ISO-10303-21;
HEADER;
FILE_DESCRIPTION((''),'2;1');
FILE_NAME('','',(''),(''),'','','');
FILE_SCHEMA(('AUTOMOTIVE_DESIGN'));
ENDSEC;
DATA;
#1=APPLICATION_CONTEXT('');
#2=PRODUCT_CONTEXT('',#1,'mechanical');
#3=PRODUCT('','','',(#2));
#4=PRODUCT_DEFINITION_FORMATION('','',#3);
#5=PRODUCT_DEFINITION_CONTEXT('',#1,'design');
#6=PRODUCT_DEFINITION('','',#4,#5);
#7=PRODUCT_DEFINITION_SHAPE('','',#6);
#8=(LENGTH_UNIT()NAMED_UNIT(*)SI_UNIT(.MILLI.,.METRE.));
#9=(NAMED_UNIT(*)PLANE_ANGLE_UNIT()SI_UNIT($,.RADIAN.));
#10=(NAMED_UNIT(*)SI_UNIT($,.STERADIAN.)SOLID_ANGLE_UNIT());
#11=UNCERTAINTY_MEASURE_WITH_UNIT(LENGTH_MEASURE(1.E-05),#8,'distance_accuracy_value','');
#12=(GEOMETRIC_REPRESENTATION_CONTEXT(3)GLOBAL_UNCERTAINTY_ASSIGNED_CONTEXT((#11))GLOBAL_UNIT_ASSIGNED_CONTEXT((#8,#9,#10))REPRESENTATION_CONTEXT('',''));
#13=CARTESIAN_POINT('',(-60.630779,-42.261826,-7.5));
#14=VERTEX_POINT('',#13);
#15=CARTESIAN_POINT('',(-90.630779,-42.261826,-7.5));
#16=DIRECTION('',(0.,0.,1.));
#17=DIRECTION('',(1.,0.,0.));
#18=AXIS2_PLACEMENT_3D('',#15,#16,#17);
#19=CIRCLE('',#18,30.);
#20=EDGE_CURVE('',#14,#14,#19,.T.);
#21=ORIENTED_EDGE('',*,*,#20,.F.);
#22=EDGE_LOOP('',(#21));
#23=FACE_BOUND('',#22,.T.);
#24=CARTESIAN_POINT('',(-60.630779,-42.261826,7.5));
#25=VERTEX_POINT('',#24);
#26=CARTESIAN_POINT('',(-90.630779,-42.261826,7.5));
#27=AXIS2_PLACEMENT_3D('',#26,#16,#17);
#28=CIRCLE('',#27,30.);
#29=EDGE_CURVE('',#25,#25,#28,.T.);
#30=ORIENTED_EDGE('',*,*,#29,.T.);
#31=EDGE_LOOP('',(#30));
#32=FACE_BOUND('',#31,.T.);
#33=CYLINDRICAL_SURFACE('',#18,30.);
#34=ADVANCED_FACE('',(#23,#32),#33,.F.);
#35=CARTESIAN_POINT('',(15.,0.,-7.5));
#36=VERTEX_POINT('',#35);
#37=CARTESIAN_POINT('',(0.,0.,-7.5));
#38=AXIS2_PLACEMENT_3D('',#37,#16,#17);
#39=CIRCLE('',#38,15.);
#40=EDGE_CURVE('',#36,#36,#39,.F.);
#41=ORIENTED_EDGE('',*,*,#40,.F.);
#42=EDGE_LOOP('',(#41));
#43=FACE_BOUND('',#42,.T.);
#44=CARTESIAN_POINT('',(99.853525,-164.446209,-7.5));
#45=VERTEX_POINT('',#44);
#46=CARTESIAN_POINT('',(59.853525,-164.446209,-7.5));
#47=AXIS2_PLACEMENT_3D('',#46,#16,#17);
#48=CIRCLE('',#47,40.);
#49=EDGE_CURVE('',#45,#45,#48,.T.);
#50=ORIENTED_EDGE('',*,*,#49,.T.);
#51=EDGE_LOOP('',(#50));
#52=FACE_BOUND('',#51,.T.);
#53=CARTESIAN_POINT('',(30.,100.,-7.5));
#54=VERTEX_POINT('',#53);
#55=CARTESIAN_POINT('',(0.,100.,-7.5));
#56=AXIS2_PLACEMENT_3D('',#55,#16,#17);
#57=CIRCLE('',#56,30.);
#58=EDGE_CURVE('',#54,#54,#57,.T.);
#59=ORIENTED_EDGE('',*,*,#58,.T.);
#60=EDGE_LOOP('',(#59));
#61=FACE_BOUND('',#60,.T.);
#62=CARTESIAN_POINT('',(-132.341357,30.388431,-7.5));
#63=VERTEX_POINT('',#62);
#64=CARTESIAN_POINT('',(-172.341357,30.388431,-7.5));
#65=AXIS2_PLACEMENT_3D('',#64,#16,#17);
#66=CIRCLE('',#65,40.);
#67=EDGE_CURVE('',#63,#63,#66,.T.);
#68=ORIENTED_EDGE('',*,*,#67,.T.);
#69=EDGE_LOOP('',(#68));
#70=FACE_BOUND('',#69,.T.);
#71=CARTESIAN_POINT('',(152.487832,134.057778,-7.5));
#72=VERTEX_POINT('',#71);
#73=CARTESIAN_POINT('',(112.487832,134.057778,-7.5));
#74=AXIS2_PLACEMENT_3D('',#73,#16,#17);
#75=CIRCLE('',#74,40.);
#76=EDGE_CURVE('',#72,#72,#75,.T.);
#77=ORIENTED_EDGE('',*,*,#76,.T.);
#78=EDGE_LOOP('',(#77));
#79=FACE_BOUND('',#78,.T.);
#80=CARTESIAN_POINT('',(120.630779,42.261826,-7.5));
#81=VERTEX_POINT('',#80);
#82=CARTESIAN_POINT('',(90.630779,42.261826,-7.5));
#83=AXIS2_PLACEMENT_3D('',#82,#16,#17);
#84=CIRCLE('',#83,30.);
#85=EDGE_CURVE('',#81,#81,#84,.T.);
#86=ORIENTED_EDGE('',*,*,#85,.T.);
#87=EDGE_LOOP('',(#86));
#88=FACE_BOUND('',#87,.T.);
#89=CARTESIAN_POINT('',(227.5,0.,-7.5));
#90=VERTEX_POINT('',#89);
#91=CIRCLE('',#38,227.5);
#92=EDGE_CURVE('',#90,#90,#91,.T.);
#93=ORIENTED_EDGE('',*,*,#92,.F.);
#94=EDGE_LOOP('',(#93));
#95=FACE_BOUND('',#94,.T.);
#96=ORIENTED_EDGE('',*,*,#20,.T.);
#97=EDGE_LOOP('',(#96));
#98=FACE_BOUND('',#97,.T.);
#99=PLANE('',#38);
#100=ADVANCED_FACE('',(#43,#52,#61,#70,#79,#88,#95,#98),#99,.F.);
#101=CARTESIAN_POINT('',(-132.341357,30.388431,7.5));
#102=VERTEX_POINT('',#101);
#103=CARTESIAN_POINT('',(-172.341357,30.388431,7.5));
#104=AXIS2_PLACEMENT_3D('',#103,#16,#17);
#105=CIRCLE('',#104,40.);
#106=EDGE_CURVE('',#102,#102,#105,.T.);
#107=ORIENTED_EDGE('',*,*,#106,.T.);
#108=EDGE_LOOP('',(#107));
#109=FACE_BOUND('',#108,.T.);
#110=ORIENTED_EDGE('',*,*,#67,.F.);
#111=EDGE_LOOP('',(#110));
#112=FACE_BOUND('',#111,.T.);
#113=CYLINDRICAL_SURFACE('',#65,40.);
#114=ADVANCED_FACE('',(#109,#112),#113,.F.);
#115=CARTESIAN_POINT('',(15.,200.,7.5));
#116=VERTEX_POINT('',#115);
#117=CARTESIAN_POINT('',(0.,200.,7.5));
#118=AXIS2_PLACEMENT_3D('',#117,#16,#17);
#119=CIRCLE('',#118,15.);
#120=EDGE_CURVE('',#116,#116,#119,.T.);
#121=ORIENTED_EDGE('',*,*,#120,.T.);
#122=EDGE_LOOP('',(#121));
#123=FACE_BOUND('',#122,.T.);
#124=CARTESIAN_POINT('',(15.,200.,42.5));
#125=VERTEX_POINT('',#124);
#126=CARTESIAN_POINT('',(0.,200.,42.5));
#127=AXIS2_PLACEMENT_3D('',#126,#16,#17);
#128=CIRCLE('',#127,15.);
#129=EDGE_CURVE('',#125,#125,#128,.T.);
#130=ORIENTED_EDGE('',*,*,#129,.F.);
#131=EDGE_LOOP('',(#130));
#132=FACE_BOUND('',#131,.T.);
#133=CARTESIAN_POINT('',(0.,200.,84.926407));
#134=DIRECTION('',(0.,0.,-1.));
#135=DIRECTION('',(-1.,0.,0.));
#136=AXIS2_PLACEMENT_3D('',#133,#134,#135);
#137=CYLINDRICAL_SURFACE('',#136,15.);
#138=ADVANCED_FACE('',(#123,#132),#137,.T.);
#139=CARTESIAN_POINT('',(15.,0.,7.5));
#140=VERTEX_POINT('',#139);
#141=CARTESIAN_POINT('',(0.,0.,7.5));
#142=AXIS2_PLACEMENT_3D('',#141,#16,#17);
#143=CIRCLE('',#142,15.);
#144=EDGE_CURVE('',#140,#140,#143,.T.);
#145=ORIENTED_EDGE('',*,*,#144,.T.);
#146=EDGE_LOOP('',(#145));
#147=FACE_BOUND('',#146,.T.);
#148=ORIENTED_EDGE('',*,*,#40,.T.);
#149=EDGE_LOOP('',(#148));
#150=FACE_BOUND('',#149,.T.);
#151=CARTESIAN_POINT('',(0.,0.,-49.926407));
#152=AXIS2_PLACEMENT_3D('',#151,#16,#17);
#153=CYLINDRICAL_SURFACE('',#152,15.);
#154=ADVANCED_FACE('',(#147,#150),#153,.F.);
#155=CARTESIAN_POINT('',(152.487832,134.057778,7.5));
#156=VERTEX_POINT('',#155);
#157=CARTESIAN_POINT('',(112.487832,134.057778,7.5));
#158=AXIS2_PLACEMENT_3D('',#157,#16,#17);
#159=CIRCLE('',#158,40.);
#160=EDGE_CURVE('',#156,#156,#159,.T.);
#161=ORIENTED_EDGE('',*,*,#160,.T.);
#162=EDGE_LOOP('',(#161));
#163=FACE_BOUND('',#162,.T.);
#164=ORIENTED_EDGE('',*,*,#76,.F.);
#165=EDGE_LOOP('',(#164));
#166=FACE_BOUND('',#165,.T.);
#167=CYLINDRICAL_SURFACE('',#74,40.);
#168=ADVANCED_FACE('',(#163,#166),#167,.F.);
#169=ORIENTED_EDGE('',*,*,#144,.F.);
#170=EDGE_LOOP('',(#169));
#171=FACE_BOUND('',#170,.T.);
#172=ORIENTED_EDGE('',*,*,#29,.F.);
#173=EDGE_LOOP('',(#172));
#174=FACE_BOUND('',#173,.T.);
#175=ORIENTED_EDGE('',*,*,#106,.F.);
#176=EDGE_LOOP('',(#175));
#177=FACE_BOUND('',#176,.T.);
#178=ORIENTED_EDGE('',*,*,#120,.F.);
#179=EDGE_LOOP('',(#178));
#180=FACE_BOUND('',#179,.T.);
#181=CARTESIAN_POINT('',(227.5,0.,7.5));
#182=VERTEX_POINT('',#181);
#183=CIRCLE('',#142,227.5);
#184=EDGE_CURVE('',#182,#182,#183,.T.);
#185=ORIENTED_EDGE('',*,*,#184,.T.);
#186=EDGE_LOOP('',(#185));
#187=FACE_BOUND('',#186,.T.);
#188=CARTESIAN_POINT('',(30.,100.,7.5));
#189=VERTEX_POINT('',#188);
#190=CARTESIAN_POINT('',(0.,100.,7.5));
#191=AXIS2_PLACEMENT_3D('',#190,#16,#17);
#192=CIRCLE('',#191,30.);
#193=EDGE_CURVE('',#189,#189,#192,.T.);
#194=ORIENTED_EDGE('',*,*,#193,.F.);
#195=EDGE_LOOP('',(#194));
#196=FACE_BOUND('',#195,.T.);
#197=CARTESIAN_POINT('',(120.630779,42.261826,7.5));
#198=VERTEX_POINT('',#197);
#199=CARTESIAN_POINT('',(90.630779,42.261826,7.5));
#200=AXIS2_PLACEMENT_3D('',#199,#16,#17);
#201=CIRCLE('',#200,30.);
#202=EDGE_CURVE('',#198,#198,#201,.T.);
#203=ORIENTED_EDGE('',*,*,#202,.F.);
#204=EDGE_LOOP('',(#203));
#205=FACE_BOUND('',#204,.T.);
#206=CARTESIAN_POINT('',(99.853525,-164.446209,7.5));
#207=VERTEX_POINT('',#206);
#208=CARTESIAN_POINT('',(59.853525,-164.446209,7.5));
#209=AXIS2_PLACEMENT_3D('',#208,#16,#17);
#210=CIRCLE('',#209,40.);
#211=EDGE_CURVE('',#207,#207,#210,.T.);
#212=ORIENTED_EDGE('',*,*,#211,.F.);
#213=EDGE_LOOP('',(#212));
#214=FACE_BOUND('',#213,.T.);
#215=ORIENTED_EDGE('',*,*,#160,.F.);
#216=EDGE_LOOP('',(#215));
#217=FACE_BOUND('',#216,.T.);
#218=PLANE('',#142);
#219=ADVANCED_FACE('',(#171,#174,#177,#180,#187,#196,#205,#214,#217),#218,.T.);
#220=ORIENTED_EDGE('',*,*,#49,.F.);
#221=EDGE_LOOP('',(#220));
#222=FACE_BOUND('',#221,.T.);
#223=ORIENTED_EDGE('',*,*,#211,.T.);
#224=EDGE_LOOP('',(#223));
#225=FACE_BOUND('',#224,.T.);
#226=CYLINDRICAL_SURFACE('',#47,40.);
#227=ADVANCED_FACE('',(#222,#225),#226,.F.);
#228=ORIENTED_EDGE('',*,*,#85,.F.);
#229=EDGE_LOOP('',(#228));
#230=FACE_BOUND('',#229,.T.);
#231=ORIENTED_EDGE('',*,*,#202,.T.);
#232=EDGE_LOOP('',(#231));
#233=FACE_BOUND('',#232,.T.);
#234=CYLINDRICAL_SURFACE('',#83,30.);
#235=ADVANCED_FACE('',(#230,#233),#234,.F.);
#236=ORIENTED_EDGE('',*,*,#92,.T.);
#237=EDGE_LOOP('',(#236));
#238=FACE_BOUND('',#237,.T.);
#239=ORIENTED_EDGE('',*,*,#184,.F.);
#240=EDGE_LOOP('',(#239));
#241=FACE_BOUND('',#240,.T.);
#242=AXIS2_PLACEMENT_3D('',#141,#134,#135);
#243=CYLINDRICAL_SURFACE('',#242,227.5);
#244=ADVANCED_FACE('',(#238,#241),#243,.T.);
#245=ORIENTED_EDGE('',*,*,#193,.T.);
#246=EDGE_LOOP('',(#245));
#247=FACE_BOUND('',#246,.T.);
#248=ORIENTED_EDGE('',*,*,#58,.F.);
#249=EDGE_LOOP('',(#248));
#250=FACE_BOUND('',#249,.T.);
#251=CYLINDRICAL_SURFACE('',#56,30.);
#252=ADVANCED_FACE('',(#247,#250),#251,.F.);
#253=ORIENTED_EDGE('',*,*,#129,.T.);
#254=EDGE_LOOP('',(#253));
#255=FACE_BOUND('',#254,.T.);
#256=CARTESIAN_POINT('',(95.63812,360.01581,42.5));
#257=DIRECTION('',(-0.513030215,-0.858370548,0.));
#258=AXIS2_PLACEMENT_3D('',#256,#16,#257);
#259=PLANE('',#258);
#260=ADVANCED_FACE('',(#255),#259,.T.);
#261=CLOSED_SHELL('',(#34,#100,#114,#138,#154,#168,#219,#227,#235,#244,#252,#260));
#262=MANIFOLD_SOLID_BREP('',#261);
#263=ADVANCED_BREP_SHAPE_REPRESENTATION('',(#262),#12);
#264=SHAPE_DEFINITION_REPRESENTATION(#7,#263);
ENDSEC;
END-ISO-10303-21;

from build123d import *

# Parameters (mm, degrees)
SKETCH1_R           = 227.5
BOSS_EXTRUDE1_DEPTH = 7.5
BOSS_EXTRUDE2_START = 7.5
SKETCH1_3_R         = 15
BOSS_EXTRUDE2_DEPTH = 35
SKETCH2_R           = 40
SKETCH2_R_2         = 30
CUT_EXTRUDE1_DEPTH  = 16
CUT_EXTRUDE3_START  = 7.5
SKETCH3_R           = 15
CUT_EXTRUDE3_DEPTH  = 15


with BuildPart() as part:
    # Sketch1 → Boss-Extrude1 (new body, symmetric)
    with BuildSketch(Plane.XY):
        Circle(SKETCH1_R)
    extrude(amount=BOSS_EXTRUDE1_DEPTH, both=True)

    # Sketch1<3> → Boss-Extrude2 (add)
    with BuildSketch(Plane.XY.offset(BOSS_EXTRUDE2_START)):
        with Locations((0, 200)):
            Circle(SKETCH1_3_R)
    extrude(amount=BOSS_EXTRUDE2_DEPTH)

    # Sketch2 → Cut-Extrude1 (cut, through all)
    with BuildSketch(Plane.XY.offset(7.5)):
        with Locations((-172.341356777, 30.388431092)):
            Circle(SKETCH2_R)
        with Locations((0, 100)):
            Circle(SKETCH2_R_2)
        with Locations((90.630778704, 42.261826174)):
            Circle(SKETCH2_R_2)
        with Locations((-90.630778704, -42.261826174)):
            Circle(SKETCH2_R_2)
        with Locations((112.487831695, 134.057777546)):
            Circle(SKETCH2_R)
        with Locations((59.853525082, -164.446208638)):
            Circle(SKETCH2_R)
    extrude(amount=-CUT_EXTRUDE1_DEPTH, mode=Mode.SUBTRACT)

    # Sketch3 → Cut-Extrude3 (cut)
    with BuildSketch(Plane.XY.offset(CUT_EXTRUDE3_START)):
        Circle(SKETCH3_R)
    extrude(amount=-CUT_EXTRUDE3_DEPTH, mode=Mode.SUBTRACT)


solid = part.part
